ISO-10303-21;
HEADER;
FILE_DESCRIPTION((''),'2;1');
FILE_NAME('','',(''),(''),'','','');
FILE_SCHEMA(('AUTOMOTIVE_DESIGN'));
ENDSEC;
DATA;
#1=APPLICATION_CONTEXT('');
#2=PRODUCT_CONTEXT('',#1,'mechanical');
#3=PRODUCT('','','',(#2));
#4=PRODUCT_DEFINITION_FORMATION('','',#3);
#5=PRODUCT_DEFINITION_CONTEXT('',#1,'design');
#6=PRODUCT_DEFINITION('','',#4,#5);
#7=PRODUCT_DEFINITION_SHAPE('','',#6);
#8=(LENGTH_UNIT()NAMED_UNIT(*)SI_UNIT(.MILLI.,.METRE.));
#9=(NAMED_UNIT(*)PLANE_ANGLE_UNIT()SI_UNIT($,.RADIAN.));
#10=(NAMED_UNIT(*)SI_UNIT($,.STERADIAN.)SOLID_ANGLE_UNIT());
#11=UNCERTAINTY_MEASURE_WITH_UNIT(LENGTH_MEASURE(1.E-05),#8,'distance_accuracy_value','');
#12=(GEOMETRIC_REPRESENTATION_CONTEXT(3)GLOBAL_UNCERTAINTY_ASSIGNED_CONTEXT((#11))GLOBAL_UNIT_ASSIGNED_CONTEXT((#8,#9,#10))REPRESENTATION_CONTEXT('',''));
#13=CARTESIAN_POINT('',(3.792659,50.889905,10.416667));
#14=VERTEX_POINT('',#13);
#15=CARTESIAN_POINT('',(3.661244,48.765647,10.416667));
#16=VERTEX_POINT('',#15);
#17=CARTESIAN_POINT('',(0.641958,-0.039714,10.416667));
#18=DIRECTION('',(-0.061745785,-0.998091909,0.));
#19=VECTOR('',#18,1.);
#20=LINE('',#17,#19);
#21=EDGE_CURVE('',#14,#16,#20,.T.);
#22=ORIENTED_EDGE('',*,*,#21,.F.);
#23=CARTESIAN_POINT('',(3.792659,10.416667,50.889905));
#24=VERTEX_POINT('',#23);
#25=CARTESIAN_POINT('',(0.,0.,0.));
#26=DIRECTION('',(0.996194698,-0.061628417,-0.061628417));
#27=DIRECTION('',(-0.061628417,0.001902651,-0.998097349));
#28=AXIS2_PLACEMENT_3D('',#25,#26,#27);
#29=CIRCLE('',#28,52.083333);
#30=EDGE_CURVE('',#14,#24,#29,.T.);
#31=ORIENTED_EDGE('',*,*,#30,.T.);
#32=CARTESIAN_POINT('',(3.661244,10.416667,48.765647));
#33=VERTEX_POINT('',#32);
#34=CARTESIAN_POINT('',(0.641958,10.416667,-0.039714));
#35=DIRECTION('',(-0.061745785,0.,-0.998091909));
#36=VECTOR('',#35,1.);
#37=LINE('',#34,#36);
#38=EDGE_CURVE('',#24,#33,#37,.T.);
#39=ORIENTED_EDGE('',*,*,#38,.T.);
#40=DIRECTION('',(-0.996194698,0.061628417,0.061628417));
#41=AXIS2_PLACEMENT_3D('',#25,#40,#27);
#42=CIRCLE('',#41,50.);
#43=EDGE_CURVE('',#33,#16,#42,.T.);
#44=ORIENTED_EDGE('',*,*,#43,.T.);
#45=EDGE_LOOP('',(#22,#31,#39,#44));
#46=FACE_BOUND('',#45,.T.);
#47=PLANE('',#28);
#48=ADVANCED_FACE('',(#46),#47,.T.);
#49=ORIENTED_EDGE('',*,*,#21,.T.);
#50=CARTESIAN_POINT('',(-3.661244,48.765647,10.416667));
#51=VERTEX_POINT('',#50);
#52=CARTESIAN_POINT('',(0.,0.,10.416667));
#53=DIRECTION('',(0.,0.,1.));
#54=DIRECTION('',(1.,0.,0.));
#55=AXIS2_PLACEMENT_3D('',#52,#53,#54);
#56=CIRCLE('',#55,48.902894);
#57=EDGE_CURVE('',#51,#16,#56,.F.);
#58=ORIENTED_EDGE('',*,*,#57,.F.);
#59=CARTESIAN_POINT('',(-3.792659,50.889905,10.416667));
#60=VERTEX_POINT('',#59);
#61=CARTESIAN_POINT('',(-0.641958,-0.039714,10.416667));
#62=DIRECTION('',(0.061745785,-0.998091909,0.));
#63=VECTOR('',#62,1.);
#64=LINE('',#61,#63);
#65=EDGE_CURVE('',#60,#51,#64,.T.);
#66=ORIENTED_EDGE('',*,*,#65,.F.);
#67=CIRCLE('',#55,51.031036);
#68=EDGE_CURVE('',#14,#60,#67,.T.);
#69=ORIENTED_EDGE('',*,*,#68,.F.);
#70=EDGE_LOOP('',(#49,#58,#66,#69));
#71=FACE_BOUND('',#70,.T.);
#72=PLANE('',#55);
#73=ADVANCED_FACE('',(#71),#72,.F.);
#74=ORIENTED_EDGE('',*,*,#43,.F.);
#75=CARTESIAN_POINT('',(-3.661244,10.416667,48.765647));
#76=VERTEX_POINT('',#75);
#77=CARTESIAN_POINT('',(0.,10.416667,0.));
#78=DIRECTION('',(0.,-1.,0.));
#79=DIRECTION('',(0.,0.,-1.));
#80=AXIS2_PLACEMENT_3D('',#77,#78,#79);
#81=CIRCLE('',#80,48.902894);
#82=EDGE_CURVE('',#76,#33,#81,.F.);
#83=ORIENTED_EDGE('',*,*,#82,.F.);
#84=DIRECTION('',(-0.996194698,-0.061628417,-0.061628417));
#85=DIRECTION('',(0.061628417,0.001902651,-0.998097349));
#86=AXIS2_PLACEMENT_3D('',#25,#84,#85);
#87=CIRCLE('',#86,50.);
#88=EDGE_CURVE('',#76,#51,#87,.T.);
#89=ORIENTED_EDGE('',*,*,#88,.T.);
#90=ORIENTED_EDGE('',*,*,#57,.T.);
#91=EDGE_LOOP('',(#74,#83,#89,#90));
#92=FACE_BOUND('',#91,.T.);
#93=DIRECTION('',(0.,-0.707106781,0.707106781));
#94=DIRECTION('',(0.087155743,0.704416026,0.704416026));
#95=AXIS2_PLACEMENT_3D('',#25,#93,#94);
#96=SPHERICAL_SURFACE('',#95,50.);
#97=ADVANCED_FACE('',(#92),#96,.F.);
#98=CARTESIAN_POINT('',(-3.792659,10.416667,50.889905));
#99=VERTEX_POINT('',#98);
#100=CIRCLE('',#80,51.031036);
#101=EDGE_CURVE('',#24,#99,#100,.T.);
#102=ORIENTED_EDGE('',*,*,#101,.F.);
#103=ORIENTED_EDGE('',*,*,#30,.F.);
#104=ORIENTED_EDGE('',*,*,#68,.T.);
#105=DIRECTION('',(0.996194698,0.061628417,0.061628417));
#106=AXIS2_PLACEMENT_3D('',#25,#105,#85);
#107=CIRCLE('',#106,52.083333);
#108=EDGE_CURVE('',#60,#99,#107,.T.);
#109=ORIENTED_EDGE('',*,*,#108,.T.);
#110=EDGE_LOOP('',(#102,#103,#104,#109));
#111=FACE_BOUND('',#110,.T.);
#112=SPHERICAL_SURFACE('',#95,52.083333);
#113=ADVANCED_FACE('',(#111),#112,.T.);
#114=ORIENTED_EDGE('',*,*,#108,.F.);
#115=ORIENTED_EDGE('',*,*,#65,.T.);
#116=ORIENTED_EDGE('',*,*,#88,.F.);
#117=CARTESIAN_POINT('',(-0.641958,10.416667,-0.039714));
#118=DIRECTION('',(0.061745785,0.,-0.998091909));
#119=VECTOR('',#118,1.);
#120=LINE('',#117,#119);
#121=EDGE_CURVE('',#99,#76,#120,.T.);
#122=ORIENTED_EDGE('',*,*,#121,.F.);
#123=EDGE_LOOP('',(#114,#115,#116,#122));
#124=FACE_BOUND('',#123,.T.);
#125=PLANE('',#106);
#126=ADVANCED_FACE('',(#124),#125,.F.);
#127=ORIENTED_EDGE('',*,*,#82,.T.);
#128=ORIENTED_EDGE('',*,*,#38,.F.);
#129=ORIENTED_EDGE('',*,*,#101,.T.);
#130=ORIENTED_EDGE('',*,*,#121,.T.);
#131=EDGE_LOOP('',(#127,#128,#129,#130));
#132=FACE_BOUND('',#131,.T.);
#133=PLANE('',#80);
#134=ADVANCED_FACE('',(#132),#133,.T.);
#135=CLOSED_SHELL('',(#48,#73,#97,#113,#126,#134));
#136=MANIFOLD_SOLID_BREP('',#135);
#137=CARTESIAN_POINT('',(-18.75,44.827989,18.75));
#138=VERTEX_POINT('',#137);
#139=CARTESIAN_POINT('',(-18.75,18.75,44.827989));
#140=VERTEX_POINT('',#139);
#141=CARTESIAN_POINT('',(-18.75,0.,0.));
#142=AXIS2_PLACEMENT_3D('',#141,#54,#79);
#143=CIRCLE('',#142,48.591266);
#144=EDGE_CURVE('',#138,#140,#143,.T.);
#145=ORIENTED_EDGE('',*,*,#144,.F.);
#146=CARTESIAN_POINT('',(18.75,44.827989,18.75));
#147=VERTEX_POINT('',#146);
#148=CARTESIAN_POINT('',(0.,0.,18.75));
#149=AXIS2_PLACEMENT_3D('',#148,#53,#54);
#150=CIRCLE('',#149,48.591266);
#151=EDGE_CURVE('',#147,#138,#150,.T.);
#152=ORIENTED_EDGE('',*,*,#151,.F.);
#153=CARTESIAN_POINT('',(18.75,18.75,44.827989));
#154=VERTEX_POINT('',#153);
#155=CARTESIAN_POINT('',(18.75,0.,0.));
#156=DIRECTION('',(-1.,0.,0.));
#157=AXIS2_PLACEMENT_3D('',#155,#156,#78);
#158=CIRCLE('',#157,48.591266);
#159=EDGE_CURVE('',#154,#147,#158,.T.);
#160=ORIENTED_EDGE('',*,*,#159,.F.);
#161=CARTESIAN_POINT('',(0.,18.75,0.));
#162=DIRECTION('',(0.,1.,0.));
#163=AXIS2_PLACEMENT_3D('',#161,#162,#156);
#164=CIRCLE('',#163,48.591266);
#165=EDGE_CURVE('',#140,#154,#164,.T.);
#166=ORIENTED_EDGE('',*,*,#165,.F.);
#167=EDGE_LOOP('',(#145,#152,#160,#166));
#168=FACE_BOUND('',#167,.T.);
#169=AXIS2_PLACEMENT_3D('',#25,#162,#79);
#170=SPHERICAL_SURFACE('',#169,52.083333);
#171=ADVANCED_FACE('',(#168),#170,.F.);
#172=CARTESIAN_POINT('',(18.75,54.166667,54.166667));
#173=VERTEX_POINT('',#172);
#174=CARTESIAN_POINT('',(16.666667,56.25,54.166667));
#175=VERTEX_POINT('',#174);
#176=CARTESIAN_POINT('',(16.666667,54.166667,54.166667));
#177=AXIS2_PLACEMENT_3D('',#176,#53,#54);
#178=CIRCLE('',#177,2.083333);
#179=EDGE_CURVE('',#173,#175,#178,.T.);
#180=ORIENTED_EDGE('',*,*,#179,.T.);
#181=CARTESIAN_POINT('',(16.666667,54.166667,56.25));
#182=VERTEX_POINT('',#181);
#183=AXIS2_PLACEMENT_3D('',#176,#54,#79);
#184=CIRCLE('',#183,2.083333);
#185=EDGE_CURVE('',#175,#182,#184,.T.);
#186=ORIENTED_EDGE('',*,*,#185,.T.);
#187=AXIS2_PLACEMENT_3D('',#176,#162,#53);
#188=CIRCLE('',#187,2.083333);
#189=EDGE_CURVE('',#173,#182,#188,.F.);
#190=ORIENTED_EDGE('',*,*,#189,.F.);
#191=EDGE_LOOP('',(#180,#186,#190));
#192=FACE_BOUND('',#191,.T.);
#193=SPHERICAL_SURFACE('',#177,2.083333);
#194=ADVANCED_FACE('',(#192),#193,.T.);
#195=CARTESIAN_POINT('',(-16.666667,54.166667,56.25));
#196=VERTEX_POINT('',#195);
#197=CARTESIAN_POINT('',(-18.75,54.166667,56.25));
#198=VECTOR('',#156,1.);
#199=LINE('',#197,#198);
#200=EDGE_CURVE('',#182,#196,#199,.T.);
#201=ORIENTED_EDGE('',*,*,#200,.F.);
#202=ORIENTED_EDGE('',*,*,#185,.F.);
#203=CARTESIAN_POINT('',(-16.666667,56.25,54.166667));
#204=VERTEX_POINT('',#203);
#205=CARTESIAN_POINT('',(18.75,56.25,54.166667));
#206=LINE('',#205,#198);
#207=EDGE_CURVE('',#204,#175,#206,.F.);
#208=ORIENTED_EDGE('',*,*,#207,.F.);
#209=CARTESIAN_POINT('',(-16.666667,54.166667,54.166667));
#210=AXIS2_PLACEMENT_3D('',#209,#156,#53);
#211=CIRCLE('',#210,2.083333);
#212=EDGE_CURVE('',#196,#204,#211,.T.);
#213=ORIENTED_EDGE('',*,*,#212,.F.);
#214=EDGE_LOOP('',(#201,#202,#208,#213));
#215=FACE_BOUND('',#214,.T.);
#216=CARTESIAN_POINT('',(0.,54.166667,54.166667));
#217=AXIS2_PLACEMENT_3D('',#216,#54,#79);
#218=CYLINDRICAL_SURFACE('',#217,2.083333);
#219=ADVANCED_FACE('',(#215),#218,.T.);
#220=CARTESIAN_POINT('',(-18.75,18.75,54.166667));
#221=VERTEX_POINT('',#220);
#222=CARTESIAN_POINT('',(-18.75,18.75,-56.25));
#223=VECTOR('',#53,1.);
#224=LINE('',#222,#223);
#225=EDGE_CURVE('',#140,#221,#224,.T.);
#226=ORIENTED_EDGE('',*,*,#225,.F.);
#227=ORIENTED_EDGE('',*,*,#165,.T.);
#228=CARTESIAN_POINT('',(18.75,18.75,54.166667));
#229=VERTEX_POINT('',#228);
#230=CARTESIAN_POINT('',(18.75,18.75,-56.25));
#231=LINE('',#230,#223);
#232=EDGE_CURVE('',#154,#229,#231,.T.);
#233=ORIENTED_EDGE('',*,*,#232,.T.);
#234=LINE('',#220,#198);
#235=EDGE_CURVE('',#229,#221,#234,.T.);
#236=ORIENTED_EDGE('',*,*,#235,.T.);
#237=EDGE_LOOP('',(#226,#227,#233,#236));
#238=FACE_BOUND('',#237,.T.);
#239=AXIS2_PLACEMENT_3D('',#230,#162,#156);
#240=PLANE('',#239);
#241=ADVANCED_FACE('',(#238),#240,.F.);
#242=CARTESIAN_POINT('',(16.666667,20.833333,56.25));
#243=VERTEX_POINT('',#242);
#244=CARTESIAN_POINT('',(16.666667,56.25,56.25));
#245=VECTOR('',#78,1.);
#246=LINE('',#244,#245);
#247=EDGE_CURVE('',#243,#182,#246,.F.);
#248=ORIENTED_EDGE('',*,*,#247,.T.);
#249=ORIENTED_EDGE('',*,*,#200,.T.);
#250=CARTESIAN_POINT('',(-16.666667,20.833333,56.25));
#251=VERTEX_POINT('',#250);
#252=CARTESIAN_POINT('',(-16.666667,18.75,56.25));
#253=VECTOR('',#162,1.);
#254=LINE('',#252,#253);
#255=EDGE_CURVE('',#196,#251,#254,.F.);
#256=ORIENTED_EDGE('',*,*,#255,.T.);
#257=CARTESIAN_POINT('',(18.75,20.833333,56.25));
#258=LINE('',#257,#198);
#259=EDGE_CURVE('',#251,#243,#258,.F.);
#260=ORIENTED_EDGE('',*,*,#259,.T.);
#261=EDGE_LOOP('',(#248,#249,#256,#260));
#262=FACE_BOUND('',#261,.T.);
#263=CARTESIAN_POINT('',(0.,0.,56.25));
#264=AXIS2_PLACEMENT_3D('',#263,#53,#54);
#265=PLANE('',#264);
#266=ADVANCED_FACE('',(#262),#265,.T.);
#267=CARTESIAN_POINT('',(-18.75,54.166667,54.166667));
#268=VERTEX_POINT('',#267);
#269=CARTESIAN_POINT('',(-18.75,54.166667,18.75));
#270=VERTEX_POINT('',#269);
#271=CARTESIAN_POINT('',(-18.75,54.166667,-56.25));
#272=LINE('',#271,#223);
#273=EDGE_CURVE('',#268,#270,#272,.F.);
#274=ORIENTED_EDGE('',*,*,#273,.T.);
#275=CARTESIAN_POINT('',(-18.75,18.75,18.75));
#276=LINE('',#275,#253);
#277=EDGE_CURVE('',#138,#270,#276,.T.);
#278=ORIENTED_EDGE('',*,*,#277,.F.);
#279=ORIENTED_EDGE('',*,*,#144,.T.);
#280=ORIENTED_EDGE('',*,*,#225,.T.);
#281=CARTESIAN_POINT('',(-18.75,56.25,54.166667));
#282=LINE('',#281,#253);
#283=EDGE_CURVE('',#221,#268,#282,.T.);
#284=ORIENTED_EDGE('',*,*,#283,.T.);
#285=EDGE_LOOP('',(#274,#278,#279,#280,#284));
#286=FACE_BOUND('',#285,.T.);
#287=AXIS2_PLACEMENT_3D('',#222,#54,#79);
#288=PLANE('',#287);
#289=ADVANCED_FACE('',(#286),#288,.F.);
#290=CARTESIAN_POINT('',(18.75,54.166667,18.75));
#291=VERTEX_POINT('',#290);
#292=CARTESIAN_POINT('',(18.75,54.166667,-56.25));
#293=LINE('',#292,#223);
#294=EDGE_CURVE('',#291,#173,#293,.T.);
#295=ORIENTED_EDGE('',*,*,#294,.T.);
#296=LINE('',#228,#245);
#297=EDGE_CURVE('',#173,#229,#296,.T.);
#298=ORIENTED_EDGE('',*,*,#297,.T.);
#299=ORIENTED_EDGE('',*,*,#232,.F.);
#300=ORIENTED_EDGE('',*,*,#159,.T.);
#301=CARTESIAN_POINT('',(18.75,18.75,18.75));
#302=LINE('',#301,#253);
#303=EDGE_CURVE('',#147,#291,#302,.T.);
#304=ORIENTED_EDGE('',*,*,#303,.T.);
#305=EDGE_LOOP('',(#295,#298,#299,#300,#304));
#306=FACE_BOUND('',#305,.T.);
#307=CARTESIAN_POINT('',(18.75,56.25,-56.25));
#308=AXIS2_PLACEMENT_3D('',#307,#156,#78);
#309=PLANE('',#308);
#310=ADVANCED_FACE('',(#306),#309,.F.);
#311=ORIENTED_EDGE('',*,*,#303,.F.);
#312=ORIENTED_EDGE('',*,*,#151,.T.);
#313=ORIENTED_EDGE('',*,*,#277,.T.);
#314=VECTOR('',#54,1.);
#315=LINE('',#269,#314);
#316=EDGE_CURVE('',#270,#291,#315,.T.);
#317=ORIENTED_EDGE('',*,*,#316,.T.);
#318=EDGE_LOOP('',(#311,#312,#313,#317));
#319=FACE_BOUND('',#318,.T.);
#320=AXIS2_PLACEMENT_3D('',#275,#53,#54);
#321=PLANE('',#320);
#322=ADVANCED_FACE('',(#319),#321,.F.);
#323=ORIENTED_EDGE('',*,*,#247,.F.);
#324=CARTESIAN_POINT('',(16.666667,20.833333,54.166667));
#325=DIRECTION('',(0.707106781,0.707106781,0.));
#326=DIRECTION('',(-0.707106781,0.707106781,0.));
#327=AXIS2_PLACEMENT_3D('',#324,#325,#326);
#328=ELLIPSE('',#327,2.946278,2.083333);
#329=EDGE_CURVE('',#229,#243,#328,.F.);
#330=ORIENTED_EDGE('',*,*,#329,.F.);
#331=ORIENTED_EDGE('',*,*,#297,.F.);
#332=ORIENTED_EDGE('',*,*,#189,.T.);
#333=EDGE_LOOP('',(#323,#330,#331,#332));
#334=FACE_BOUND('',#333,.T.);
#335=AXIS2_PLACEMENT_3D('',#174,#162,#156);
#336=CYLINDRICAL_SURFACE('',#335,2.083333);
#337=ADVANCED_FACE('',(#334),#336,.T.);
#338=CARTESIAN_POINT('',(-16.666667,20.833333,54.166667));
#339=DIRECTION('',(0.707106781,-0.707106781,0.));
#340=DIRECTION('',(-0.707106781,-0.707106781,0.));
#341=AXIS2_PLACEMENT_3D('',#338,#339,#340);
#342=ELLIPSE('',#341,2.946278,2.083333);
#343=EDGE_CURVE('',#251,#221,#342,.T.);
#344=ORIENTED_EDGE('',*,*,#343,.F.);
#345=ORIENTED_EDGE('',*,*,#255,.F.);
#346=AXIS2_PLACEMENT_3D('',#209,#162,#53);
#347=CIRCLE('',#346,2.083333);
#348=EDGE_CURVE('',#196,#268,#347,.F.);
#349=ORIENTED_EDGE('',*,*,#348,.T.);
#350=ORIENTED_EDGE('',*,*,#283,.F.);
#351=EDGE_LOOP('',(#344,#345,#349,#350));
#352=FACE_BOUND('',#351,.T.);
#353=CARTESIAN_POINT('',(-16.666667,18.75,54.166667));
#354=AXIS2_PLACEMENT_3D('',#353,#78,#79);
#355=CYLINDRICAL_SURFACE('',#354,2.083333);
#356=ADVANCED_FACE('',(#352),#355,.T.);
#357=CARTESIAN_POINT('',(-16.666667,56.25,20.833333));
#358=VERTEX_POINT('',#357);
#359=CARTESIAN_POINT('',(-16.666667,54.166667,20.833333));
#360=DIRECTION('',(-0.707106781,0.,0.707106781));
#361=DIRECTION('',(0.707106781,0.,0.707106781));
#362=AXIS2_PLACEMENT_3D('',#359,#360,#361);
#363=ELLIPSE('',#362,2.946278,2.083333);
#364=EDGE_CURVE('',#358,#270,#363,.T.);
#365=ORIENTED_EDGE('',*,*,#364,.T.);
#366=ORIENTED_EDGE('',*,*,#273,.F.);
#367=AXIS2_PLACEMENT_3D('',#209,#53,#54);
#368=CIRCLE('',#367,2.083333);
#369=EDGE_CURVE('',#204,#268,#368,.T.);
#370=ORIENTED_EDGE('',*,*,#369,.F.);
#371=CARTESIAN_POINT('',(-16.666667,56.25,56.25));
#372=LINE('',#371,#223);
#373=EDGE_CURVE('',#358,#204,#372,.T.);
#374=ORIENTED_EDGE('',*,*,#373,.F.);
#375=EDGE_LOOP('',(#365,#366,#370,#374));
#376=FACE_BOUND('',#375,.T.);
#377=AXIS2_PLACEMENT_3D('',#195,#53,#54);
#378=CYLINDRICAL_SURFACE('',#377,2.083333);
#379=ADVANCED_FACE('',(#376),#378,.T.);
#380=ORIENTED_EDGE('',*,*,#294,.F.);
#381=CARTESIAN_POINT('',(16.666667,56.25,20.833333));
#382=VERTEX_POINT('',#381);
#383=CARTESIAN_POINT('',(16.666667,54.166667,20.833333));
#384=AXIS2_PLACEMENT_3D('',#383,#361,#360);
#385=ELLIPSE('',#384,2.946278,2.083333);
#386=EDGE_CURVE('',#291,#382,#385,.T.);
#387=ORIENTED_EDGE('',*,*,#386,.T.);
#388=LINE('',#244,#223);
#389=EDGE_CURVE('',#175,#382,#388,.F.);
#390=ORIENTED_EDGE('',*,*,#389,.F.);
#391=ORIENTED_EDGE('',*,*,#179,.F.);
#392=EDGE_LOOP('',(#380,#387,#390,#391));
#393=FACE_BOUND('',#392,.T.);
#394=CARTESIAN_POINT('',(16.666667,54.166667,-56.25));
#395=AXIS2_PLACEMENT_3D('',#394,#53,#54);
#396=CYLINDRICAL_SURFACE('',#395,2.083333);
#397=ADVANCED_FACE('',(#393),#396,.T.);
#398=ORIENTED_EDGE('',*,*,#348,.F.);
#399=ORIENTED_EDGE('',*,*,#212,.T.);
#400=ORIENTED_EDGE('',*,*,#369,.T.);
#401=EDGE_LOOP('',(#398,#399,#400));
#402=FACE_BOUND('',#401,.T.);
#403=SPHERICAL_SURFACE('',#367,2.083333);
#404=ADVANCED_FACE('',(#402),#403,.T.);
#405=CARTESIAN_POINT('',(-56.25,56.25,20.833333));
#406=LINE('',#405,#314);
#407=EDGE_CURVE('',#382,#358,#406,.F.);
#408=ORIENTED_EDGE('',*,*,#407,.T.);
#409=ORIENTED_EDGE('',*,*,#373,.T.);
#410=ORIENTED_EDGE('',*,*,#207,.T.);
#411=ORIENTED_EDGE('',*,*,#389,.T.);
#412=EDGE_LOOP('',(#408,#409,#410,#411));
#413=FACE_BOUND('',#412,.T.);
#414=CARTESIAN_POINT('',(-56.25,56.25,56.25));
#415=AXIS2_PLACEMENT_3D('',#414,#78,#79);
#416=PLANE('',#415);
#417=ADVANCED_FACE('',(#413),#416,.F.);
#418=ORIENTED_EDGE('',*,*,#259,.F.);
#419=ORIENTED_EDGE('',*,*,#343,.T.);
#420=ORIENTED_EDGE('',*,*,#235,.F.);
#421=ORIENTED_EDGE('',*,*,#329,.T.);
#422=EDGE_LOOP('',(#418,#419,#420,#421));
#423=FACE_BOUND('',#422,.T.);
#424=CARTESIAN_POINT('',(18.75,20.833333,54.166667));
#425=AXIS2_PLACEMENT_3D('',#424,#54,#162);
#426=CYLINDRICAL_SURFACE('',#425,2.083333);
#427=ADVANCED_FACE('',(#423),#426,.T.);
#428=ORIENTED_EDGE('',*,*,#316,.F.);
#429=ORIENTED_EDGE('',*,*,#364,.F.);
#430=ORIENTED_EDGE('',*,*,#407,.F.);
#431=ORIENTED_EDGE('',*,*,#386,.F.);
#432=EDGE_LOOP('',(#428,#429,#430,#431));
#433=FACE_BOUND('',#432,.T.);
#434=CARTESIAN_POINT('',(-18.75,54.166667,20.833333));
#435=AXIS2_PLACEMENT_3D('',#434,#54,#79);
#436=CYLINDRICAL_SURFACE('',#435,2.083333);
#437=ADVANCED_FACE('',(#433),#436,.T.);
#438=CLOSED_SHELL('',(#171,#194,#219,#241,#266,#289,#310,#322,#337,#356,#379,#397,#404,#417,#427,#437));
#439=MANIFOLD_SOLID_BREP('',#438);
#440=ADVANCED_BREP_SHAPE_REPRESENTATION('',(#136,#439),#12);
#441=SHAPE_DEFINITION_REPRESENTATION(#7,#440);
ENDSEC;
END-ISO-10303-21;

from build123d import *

# Parameters (mm, degrees)
SKETCH_1_W          = 54
SKETCH_1_H          = 54
EXTRUDE_1_DEPTH     = 27
CUT_EXTRUDE_1_DEPTH = 54
SKETCH_3_W          = 18
SKETCH_3_H          = 36
CUT_EXTRUDE_2_DEPTH = 34.674916481
REVOLVE_3_ANGLE     = 10
SKETCH_7_W          = 18.755996754
SKETCH_7_H          = 27.576886317
CUT_EXTRUDE_3_DEPTH = 36.972211497
SKETCH_8_W          = 19.05446657
SKETCH_8_H          = 22.981146603
CUT_EXTRUDE_4_DEPTH = 36.972211497
FILLET_1_R          = 1
SCALE_1_SCALE       = 2.083333333


with BuildPart() as part:
    # 草图1 → 凸台-拉伸1 (new, symmetric)
    with BuildSketch(Plane.XY):
        Rectangle(SKETCH_1_W, SKETCH_1_H)
    extrude(amount=EXTRUDE_1_DEPTH, both=True)

    # 草图2 → 切除-拉伸1 (cut)
    with BuildSketch(Plane.XY.offset(27)):
        Polygon((-9, 27), (-27, 27), (-27, -27), (27, -27), (27, 27), (9, 27), (9, 9), (-9, 9), align=None)
    extrude(amount=-CUT_EXTRUDE_1_DEPTH, mode=Mode.SUBTRACT)

    # 草图3 → 切除-拉伸2 (cut, through all)
    with BuildSketch(Plane(origin=(0, 27, 0), x_dir=(1, 0, 0), z_dir=(0, 1, 0))):
        with Locations((0, 9)):
            Rectangle(SKETCH_3_W, SKETCH_3_H)
    extrude(amount=-CUT_EXTRUDE_2_DEPTH, mode=Mode.SUBTRACT)

    # 草图4 → 切除-旋转1 (revolve, cut)
    with BuildSketch(Plane(origin=(0, 0, 0), x_dir=(0, 0, -1), z_dir=(1, 0, 0))):
        with BuildLine():
            Line((0, 25), (0, -25))
            ThreePointArc((0, -25), (-25, 0), (0, 25))
        make_face()
    revolve(axis=Axis((0, 25, 0), (0, -1, 0)), mode=Mode.SUBTRACT)

    # 圆角1
    fillet_1_edges = [part.edges().sort_by_distance(p)[0] for p in [
        (0, 27, 27),
        (-9, 18, 27),
        (9, 18, 27),
        (0, 9, 27),
        (9, 27, 18),
        (-9, 27, 18),
        (0, 27, 9),
    ]]
    fillet(fillet_1_edges, radius=FILLET_1_R)


with BuildPart() as body_2:
    # 草图5 → 旋转3 (revolve, symmetric)
    with BuildSketch(Plane(origin=(0, 0, 0), x_dir=(0, 0, -1), z_dir=(1, 0, 0))) as revolve_3_sk:
        with BuildLine():
            Line((0, 25), (0, 24))
            ThreePointArc((0, 24), (-16.970562748, 16.970562748), (-24, 0))
            Line((-24, 0), (-25, 0))
            ThreePointArc((-25, 0), (-17.67766953, 17.67766953), (0, 25))
        make_face()
    revolve(axis=Axis((0, 0, 0), (0, 0.7071067811865489, -0.7071067811865461)), revolution_arc=REVOLVE_3_ANGLE / 2)
    revolve(revolve_3_sk.sketch, axis=Axis((0, 0, 0), (0, -0.7071067811865489, 0.7071067811865461)), revolution_arc=REVOLVE_3_ANGLE / 2)

    # 草图7 → 切除-拉伸3 (cut, through all)
    with BuildSketch(Plane(origin=(0, 5, 0), x_dir=(1, 0, 0), z_dir=(0, 1, 0))):
        with Locations((0.092851469, -13.520739947)):
            Rectangle(SKETCH_7_W, SKETCH_7_H)
    extrude(amount=-CUT_EXTRUDE_3_DEPTH, mode=Mode.SUBTRACT)

    # 草图8 → 切除-拉伸4 (cut, through all)
    with BuildSketch(Plane.XY.offset(5)):
        with Locations((-0.012585513, 15.886730384)):
            Rectangle(SKETCH_8_W, SKETCH_8_H)
    extrude(amount=-CUT_EXTRUDE_4_DEPTH, mode=Mode.SUBTRACT)


with BuildPart() as body_2_1:
    # 缩放比例1: scaled about (0, 0, 0)
    add(body_2.part.scale(SCALE_1_SCALE))


with BuildPart() as part_1:
    # 缩放比例1: scaled about (0, 0, 0)
    add(part.part.scale(SCALE_1_SCALE))


solid = Compound([body_2_1.part, part_1.part])
